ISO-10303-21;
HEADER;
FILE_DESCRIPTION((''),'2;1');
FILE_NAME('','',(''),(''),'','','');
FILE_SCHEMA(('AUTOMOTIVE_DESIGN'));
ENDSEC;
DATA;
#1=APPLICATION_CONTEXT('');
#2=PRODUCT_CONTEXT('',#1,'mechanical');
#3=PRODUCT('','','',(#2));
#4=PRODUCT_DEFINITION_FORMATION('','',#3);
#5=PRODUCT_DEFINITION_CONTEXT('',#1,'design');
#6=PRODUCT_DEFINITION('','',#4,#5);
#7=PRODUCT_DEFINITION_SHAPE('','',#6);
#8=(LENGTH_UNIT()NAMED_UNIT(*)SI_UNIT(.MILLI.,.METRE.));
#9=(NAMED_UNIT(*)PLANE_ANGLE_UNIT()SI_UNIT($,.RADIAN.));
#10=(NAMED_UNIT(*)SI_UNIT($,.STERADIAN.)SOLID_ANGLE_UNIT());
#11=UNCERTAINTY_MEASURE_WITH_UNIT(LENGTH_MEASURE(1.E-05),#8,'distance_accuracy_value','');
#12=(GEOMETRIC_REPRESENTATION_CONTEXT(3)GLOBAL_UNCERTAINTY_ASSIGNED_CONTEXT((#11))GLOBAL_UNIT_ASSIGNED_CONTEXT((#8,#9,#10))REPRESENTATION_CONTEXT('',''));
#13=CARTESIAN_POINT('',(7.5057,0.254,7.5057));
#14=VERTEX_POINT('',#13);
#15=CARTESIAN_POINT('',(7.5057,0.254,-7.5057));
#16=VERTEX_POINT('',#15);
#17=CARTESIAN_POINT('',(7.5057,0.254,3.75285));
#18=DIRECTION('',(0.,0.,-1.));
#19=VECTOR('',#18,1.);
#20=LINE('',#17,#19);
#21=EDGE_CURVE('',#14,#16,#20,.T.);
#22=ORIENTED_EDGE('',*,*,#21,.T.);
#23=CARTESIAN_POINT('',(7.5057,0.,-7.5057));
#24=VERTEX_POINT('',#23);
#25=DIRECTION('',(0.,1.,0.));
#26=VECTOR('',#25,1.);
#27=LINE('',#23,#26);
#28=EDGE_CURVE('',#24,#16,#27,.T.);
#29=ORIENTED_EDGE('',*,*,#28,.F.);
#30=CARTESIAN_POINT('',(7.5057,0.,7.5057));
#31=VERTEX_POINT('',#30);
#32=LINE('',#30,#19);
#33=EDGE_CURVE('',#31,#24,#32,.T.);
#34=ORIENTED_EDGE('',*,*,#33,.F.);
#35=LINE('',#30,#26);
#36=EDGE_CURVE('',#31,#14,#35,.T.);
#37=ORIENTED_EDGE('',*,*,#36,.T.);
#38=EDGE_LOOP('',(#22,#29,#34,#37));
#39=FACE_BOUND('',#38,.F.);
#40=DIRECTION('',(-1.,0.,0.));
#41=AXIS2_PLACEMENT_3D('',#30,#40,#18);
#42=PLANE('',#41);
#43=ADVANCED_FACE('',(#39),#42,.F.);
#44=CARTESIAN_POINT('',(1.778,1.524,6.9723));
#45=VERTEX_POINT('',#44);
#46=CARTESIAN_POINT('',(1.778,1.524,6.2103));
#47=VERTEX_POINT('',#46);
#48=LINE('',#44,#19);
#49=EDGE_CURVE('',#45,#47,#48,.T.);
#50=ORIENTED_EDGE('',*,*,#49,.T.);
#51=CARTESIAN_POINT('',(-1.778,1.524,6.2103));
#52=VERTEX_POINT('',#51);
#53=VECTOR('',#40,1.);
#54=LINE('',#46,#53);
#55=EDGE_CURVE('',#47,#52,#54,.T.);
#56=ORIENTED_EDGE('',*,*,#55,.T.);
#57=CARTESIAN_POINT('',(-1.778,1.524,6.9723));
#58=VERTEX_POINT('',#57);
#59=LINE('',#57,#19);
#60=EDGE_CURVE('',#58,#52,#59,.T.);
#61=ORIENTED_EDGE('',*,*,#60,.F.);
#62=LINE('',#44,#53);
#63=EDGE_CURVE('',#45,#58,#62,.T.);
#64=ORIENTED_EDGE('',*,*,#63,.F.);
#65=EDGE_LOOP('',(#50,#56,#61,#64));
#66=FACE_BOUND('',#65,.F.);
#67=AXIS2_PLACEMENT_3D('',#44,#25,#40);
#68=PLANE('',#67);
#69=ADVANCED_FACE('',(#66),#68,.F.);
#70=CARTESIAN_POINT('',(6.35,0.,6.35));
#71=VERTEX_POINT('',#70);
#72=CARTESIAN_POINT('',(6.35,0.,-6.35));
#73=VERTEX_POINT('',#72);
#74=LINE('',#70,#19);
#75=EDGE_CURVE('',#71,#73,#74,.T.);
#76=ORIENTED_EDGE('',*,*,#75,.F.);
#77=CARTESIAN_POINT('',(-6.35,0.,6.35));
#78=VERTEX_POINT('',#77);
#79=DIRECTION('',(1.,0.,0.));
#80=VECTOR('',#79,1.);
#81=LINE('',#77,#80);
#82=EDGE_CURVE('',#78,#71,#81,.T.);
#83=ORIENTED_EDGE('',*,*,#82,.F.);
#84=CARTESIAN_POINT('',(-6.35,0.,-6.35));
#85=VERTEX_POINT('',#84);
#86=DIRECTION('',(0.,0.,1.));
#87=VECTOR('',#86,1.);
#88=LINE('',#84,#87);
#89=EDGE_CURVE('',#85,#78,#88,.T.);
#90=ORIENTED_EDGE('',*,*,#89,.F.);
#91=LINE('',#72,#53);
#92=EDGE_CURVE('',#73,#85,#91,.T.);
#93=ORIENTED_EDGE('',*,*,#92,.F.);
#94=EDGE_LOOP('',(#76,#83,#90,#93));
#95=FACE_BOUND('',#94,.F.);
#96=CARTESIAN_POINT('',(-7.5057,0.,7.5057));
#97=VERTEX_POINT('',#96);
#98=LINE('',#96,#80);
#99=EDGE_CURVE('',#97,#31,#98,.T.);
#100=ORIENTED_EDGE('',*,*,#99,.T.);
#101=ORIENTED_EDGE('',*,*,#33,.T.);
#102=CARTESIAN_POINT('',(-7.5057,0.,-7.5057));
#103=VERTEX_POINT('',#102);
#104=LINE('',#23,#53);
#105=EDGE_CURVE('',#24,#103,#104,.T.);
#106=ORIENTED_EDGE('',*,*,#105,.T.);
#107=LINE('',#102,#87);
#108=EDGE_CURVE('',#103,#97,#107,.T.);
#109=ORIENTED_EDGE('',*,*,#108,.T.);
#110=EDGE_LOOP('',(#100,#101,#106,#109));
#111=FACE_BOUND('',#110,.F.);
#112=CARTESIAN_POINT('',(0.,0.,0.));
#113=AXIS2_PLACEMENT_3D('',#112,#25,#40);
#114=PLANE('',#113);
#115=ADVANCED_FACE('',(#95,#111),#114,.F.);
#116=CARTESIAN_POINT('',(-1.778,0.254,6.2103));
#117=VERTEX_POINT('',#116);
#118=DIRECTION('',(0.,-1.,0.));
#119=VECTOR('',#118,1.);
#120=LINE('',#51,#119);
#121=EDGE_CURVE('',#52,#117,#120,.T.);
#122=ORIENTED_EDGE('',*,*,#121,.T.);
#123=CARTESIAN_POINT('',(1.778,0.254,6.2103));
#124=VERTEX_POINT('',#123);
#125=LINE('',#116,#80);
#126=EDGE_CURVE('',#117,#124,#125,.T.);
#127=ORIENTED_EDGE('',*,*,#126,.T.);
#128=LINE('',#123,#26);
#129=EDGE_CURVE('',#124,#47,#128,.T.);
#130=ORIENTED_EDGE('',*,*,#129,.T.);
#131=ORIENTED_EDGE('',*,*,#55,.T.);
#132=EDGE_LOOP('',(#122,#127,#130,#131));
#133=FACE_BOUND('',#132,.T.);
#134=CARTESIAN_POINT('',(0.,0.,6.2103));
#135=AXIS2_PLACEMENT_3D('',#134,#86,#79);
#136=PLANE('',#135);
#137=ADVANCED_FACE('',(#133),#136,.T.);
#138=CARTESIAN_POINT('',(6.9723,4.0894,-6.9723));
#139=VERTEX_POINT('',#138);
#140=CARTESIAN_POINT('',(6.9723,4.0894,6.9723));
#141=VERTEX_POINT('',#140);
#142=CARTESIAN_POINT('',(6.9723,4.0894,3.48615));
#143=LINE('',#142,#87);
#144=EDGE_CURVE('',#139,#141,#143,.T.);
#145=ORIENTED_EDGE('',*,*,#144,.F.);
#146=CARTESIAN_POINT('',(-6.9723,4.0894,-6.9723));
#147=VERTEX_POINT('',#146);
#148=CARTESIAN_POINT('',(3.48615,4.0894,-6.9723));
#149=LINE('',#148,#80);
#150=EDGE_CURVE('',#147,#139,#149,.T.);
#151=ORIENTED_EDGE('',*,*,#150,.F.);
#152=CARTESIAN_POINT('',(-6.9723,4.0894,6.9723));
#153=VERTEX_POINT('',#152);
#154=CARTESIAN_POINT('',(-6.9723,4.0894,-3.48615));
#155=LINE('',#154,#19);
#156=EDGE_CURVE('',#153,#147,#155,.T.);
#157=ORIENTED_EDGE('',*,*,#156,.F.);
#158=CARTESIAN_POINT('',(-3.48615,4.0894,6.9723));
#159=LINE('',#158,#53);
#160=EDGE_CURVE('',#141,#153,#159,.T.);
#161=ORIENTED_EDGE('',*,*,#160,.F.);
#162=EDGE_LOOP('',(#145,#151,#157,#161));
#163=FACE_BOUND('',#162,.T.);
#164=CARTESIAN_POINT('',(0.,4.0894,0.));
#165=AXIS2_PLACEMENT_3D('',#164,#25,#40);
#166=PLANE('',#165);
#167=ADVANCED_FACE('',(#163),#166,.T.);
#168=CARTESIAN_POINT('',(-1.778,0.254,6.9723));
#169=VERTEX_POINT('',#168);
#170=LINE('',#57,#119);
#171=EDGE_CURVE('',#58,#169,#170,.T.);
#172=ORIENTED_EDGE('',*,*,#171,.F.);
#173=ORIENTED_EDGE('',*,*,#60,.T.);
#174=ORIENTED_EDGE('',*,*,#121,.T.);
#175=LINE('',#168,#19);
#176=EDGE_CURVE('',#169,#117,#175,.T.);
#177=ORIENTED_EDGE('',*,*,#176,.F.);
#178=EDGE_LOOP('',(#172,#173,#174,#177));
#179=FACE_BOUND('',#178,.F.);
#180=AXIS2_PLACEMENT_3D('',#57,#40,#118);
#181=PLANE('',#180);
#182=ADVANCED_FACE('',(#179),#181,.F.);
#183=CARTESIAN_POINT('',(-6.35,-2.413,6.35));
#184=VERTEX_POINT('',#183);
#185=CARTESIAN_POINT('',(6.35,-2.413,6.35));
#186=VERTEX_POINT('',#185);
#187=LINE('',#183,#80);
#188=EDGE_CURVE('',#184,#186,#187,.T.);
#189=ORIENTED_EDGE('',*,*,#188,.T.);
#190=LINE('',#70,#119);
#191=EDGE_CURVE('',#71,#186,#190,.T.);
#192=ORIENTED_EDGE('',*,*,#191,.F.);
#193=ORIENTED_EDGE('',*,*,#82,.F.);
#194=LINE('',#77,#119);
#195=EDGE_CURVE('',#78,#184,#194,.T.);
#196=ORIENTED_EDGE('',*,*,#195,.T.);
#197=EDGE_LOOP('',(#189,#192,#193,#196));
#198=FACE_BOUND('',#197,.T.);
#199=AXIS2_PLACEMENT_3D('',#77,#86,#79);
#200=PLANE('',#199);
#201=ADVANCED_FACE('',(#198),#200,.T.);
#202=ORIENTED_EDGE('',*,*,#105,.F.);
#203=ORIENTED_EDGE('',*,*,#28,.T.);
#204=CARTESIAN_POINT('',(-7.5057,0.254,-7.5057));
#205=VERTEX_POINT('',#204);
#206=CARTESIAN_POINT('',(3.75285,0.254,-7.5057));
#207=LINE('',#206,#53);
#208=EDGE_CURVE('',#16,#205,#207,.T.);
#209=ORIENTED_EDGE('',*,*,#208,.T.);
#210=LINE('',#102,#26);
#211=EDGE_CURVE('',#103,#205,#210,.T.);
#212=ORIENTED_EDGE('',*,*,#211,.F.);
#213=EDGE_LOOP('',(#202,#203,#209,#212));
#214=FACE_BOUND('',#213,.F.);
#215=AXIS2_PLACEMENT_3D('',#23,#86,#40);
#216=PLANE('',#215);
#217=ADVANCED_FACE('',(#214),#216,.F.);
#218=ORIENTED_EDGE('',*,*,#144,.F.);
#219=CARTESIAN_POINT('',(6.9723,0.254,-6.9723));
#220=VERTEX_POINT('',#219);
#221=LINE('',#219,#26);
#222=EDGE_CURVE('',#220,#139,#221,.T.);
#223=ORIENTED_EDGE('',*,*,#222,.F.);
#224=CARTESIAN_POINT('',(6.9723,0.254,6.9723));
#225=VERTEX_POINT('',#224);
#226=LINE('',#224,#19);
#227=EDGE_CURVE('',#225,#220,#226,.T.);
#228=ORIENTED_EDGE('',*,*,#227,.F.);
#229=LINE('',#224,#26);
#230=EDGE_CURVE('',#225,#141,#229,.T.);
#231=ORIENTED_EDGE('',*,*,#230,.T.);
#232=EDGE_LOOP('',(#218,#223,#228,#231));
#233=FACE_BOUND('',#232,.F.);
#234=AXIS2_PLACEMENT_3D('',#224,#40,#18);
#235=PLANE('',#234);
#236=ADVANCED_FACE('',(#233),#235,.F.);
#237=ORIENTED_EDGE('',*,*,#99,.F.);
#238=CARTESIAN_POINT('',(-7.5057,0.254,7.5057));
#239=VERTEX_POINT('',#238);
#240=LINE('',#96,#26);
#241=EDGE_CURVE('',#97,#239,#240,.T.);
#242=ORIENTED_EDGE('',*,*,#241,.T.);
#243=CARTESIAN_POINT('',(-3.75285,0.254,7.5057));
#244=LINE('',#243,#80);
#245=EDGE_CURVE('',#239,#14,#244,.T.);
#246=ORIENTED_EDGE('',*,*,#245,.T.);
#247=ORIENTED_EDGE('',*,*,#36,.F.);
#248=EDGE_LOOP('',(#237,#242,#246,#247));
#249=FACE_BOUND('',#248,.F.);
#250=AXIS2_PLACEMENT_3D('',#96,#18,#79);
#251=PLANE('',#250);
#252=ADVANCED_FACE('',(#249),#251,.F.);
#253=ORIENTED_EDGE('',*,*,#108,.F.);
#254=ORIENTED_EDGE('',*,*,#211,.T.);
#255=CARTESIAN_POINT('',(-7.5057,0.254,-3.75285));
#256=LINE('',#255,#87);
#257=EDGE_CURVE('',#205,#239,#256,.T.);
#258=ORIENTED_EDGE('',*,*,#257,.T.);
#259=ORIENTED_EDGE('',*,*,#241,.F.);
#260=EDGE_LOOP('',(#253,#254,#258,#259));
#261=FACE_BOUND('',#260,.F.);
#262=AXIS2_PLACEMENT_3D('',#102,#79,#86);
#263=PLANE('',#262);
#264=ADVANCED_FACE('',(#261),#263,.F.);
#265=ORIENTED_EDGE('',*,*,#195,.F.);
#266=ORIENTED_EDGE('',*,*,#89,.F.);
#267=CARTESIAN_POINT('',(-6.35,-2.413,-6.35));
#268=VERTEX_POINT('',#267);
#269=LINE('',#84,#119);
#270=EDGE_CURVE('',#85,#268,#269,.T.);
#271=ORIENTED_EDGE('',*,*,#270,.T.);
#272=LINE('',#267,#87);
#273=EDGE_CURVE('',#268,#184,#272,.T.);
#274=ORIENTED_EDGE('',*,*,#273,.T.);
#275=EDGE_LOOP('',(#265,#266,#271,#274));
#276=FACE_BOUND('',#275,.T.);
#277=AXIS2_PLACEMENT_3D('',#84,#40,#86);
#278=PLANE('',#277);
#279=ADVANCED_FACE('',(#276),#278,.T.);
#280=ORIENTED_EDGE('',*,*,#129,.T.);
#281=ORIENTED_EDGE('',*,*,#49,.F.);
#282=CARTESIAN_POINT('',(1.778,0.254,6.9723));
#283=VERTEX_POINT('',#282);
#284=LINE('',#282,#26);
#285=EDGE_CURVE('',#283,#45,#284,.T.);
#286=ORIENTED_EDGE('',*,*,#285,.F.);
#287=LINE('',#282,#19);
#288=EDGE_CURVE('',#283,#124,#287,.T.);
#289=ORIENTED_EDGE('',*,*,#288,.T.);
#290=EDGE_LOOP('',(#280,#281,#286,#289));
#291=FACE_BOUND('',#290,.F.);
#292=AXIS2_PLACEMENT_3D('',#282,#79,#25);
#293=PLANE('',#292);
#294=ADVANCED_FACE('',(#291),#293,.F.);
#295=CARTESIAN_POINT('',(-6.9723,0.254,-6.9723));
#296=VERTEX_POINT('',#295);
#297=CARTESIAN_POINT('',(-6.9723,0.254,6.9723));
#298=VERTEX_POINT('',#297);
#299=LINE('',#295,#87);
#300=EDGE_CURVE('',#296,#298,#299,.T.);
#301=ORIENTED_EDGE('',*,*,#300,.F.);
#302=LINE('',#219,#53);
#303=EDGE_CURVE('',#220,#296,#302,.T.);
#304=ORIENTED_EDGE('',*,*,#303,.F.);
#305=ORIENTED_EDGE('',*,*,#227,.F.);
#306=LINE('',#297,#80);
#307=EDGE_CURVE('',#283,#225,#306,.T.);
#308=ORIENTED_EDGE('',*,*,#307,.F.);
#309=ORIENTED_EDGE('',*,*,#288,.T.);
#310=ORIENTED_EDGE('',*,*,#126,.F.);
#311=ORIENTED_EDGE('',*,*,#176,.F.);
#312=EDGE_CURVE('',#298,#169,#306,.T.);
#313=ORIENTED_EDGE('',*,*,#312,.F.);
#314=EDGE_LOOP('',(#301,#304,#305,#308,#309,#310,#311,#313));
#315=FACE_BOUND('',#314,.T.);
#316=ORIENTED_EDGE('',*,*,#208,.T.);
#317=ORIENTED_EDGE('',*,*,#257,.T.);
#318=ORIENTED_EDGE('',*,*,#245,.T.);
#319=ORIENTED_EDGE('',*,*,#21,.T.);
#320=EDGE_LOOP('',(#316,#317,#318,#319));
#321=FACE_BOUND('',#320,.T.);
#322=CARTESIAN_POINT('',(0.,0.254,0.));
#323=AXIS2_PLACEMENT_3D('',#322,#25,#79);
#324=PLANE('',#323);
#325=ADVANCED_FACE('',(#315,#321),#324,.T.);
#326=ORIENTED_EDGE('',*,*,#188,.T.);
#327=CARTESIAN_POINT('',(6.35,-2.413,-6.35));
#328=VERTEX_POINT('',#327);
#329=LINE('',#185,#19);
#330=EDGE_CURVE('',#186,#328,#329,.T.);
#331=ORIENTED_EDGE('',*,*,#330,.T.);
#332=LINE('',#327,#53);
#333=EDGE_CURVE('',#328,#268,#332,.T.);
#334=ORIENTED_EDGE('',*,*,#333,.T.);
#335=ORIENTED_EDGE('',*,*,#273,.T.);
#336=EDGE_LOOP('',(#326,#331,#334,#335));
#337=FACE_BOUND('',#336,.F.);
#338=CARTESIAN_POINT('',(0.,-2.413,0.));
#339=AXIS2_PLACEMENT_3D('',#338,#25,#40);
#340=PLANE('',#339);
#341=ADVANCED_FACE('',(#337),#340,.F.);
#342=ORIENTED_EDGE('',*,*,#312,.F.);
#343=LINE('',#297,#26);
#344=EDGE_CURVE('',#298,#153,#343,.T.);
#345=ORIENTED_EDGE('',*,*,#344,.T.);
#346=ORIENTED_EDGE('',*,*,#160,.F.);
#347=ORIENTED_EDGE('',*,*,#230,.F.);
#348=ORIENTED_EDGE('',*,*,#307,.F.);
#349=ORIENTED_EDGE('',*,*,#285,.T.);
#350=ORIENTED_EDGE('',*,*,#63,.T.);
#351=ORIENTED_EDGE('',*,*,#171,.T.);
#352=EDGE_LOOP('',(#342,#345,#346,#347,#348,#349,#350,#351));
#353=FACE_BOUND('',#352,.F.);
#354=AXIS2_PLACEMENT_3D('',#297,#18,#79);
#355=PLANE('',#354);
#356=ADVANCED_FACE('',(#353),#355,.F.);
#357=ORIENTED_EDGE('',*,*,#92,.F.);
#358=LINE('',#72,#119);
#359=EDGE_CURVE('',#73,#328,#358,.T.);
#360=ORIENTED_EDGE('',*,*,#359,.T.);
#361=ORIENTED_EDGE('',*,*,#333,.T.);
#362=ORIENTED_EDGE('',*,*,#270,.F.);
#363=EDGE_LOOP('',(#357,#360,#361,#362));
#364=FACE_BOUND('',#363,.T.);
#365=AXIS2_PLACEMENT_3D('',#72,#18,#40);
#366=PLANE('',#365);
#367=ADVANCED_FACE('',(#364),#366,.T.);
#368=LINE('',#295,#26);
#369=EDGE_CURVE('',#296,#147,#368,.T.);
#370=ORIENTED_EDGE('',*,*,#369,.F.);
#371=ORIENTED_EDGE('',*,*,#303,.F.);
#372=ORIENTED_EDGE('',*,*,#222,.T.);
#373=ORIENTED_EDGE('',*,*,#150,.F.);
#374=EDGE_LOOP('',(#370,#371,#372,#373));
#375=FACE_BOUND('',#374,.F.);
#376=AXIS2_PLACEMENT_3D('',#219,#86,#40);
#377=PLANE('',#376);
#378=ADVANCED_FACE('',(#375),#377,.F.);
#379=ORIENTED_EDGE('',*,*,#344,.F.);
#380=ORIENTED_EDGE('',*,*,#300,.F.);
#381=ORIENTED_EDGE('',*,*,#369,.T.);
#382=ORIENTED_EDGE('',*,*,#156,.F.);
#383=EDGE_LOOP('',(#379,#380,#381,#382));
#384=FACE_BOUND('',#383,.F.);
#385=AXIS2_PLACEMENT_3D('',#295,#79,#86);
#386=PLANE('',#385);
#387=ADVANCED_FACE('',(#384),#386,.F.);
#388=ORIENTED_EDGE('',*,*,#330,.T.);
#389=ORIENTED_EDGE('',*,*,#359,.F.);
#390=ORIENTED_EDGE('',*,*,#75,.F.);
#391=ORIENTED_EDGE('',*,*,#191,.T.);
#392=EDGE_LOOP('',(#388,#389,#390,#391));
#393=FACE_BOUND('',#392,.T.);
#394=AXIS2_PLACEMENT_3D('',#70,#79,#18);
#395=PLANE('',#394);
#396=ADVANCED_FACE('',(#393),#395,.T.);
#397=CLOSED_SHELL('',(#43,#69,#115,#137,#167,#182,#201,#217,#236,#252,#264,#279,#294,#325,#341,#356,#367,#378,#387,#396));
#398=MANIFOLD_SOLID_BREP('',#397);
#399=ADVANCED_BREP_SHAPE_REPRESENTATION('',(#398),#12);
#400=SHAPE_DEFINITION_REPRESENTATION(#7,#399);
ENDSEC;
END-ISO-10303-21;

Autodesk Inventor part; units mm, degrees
sketch "Sketch_1" plane through (0, 0, 0) normal (0, 1, 0) x (-1, 0, 0)
  line L0 (7.5057, 7.5057) -> (-7.5057, 7.5057)
  line L1 (-7.5057, 7.5057) -> (-7.5057, -7.5057)
  line L2 (-7.5057, -7.5057) -> (7.5057, -7.5057)
  line L3 (7.5057, -7.5057) -> (7.5057, 7.5057)
extrude "Extrusion1" add sketch "Sketch_1" along normal blind 4.0894
sketch "Sketch_2" plane through (0, 0.254, 0) normal (0, 1, 0) x (1, 0, 0)
  line L0 (-7.62, -7.62) -> (7.62, -7.62)
  line L1 (7.62, -7.62) -> (7.62, 7.62)
  line L2 (7.62, 7.62) -> (-7.62, 7.62)
  line L3 (-7.62, 7.62) -> (-7.62, -7.62)
  line L4 (-6.9723, -6.9723) -> (6.9723, -6.9723)
  line L5 (6.9723, -6.9723) -> (6.9723, 6.9723)
  line L6 (6.9723, 6.9723) -> (-6.9723, 6.9723)
  line L7 (-6.9723, 6.9723) -> (-6.9723, -6.9723)
extrude "Extrusion2" cut sketch "Sketch_2" along normal blind 6.35
sketch "Sketch_4" plane through (0, 0, 6.9723) normal (0, 0, 1) x (1, 0, 0)
  line L0 (-1.778, 0.254) -> (1.778, 0.254)
  line L1 (1.778, 0.254) -> (1.778, 1.524)
  line L2 (1.778, 1.524) -> (-1.778, 1.524)
  line L3 (-1.778, 1.524) -> (-1.778, 0.254)
extrude "Extrusion3" cut sketch "Sketch_4" against normal blind 0.762
sketch "Sketch_6" plane through (0, 0, 0) normal (0, 1, 0) x (-1, 0, 0)
  line L0 (6.35, 6.35) -> (-6.35, 6.35)
  line L1 (-6.35, 6.35) -> (-6.35, -6.35)
  line L2 (-6.35, -6.35) -> (6.35, -6.35)
  line L3 (6.35, -6.35) -> (6.35, 6.35)
extrude "Extrusion4" add sketch "Sketch_6" against normal blind 2.413
ref_plane "diffuser_to_body_XY" through (0, 0, 0) normal (0, 1, 0) x (1, 0, 0)
ref_plane "diffuser_to_body_YZ" through (0, 0, 0) normal (1, 0, 0) x (0, 0, -1)
ref_plane "diffuser_to_body_ZX" through (0, 0, 0) normal (0, 0, -1) x (0, 1, 0)
ref_plane "diffuser_to_body_green_XY" through (3.7529, 0, 0) normal (0, 1, 0) x (1, 0, 0)
ref_plane "diffuser_to_body_green_YZ" through (3.7529, 0, 0) normal (1, 0, 0) x (0, 0, -1)
ref_plane "diffuser_to_body_green_ZX" through (3.7529, 0, 0) normal (0, 0, -1) x (0, 1, 0)
ref_plane "diffuser_to_body_red_XY" through (-3.7529, 0, 0) normal (0, 1, 0) x (1, 0, 0)
ref_plane "diffuser_to_body_red_YZ" through (-3.7529, 0, 0) normal (1, 0, 0) x (0, 0, -1)
ref_plane "diffuser_to_body_red_ZX" through (-3.7529, 0, 0) normal (0, 0, -1) x (0, 1, 0)
properties part number "UB216SKG035D-1JBd_cap"
